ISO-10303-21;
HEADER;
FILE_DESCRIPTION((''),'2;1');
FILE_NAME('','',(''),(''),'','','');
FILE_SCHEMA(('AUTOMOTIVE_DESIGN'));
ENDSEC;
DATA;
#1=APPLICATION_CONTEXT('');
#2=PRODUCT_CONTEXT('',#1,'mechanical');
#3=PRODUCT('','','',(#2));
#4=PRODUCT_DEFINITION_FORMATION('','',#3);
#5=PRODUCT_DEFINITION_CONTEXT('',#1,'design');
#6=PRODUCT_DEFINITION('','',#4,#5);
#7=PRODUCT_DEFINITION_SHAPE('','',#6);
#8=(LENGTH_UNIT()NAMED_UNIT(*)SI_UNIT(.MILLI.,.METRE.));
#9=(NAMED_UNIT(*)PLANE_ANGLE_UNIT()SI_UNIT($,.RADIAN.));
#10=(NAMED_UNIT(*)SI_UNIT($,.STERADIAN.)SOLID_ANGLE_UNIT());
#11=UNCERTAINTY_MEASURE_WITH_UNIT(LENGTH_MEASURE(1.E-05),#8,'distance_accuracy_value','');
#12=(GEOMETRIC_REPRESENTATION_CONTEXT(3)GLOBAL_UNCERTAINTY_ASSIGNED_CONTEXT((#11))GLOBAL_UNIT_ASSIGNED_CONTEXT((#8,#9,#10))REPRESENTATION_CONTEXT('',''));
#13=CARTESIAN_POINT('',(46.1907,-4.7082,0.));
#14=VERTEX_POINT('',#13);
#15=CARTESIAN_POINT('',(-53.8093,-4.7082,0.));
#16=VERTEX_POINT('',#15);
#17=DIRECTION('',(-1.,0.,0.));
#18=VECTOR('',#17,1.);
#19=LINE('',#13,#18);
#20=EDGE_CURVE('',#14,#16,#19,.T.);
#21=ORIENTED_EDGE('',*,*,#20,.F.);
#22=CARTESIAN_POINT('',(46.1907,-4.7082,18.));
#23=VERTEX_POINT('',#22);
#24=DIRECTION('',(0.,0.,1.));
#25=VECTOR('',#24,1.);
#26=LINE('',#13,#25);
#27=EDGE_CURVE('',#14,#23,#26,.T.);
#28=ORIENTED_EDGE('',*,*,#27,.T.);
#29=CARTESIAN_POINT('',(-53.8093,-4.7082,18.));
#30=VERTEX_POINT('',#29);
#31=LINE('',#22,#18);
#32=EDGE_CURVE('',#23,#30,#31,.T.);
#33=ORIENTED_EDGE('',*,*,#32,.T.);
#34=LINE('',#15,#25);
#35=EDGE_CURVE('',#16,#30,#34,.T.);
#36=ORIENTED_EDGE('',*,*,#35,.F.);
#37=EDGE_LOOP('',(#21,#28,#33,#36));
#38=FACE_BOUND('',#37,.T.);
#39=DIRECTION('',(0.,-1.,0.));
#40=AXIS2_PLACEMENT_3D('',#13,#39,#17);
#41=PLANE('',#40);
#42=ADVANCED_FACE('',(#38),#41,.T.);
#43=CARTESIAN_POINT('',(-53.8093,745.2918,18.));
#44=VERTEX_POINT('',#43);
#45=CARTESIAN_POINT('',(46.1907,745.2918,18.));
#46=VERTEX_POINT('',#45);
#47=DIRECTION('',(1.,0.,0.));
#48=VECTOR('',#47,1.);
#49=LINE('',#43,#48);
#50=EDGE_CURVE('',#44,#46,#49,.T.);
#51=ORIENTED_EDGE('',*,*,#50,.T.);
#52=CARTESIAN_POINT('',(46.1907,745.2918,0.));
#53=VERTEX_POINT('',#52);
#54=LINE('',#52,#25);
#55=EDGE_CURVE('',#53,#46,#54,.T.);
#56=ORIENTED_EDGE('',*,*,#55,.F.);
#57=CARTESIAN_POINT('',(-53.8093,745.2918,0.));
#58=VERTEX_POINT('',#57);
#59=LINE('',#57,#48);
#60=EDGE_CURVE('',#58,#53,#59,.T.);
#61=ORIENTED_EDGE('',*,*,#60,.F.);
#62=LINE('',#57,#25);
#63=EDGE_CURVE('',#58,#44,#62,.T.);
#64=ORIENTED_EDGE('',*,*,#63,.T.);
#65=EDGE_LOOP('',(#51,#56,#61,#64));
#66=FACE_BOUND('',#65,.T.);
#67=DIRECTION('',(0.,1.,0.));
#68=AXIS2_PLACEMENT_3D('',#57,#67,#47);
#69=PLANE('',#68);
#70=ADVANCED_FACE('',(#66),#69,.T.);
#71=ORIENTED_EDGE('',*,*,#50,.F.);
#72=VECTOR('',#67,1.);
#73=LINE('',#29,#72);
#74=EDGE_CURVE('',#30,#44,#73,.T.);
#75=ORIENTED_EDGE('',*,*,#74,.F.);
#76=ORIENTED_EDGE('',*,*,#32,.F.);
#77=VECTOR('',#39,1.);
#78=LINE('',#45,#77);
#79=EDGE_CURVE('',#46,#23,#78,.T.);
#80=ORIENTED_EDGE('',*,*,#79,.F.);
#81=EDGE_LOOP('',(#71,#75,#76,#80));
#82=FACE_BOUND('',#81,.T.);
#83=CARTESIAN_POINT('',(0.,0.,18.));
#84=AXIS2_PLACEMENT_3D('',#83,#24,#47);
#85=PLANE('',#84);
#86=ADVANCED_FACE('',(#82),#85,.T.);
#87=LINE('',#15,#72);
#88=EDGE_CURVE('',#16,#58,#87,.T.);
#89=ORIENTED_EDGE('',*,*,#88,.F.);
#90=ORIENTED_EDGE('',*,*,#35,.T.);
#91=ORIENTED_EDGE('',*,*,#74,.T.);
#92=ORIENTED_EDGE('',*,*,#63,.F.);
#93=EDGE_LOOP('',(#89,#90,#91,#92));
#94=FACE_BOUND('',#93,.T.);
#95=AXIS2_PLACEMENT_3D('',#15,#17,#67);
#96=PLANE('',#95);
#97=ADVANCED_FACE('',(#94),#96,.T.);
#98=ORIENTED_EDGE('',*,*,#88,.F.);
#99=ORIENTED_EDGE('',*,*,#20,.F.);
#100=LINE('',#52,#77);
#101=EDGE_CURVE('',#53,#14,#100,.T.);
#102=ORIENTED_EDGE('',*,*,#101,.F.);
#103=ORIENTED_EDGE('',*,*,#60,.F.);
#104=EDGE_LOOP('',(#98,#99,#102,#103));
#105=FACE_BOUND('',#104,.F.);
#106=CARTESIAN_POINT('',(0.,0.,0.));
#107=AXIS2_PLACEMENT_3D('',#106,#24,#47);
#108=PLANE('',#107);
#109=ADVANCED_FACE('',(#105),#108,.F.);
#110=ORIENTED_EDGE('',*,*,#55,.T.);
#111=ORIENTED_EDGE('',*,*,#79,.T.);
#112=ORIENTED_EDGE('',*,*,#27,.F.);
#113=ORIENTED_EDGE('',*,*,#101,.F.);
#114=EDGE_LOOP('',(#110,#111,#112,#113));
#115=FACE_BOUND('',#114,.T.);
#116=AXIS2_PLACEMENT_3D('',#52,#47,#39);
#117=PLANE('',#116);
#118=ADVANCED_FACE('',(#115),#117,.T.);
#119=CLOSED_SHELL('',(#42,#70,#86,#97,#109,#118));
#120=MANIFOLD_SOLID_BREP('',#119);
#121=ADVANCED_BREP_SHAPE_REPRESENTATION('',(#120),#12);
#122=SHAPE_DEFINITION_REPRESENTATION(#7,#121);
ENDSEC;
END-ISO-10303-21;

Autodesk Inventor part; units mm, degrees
ref_plane "YZ Plane" through (0, 0, 0) normal (1, 0, 0) x (0, 1, 0)
ref_plane "XZ Plane" through (0, 0, 0) normal (0, 1, 0) x (-1, 0, 0)
ref_plane "XY Plane" through (0, 0, 0) normal (0, 0, 1) x (1, 0, 0)
sketch "Sketch1" plane through (0, 0, 0) normal (0, 0, 1) x (1, 0, 0)
  line L0 (-53.8093, 745.2918) -> (46.1907, 745.2918)
  line L1 (46.1907, 745.2918) -> (46.1907, -4.7082)
  line L2 (46.1907, -4.7082) -> (-53.8093, -4.7082)
  line L3 (-53.8093, -4.7082) -> (-53.8093, 745.2918)
  point P0 (0, 0)
  dimension "d0" = 100
  dimension "d1" = 750
extrude "Extrusion1" add sketch "Sketch1" along normal blind 18
properties part number "CNCM_WOOD_18mm_Base_plate_reinforcement"
